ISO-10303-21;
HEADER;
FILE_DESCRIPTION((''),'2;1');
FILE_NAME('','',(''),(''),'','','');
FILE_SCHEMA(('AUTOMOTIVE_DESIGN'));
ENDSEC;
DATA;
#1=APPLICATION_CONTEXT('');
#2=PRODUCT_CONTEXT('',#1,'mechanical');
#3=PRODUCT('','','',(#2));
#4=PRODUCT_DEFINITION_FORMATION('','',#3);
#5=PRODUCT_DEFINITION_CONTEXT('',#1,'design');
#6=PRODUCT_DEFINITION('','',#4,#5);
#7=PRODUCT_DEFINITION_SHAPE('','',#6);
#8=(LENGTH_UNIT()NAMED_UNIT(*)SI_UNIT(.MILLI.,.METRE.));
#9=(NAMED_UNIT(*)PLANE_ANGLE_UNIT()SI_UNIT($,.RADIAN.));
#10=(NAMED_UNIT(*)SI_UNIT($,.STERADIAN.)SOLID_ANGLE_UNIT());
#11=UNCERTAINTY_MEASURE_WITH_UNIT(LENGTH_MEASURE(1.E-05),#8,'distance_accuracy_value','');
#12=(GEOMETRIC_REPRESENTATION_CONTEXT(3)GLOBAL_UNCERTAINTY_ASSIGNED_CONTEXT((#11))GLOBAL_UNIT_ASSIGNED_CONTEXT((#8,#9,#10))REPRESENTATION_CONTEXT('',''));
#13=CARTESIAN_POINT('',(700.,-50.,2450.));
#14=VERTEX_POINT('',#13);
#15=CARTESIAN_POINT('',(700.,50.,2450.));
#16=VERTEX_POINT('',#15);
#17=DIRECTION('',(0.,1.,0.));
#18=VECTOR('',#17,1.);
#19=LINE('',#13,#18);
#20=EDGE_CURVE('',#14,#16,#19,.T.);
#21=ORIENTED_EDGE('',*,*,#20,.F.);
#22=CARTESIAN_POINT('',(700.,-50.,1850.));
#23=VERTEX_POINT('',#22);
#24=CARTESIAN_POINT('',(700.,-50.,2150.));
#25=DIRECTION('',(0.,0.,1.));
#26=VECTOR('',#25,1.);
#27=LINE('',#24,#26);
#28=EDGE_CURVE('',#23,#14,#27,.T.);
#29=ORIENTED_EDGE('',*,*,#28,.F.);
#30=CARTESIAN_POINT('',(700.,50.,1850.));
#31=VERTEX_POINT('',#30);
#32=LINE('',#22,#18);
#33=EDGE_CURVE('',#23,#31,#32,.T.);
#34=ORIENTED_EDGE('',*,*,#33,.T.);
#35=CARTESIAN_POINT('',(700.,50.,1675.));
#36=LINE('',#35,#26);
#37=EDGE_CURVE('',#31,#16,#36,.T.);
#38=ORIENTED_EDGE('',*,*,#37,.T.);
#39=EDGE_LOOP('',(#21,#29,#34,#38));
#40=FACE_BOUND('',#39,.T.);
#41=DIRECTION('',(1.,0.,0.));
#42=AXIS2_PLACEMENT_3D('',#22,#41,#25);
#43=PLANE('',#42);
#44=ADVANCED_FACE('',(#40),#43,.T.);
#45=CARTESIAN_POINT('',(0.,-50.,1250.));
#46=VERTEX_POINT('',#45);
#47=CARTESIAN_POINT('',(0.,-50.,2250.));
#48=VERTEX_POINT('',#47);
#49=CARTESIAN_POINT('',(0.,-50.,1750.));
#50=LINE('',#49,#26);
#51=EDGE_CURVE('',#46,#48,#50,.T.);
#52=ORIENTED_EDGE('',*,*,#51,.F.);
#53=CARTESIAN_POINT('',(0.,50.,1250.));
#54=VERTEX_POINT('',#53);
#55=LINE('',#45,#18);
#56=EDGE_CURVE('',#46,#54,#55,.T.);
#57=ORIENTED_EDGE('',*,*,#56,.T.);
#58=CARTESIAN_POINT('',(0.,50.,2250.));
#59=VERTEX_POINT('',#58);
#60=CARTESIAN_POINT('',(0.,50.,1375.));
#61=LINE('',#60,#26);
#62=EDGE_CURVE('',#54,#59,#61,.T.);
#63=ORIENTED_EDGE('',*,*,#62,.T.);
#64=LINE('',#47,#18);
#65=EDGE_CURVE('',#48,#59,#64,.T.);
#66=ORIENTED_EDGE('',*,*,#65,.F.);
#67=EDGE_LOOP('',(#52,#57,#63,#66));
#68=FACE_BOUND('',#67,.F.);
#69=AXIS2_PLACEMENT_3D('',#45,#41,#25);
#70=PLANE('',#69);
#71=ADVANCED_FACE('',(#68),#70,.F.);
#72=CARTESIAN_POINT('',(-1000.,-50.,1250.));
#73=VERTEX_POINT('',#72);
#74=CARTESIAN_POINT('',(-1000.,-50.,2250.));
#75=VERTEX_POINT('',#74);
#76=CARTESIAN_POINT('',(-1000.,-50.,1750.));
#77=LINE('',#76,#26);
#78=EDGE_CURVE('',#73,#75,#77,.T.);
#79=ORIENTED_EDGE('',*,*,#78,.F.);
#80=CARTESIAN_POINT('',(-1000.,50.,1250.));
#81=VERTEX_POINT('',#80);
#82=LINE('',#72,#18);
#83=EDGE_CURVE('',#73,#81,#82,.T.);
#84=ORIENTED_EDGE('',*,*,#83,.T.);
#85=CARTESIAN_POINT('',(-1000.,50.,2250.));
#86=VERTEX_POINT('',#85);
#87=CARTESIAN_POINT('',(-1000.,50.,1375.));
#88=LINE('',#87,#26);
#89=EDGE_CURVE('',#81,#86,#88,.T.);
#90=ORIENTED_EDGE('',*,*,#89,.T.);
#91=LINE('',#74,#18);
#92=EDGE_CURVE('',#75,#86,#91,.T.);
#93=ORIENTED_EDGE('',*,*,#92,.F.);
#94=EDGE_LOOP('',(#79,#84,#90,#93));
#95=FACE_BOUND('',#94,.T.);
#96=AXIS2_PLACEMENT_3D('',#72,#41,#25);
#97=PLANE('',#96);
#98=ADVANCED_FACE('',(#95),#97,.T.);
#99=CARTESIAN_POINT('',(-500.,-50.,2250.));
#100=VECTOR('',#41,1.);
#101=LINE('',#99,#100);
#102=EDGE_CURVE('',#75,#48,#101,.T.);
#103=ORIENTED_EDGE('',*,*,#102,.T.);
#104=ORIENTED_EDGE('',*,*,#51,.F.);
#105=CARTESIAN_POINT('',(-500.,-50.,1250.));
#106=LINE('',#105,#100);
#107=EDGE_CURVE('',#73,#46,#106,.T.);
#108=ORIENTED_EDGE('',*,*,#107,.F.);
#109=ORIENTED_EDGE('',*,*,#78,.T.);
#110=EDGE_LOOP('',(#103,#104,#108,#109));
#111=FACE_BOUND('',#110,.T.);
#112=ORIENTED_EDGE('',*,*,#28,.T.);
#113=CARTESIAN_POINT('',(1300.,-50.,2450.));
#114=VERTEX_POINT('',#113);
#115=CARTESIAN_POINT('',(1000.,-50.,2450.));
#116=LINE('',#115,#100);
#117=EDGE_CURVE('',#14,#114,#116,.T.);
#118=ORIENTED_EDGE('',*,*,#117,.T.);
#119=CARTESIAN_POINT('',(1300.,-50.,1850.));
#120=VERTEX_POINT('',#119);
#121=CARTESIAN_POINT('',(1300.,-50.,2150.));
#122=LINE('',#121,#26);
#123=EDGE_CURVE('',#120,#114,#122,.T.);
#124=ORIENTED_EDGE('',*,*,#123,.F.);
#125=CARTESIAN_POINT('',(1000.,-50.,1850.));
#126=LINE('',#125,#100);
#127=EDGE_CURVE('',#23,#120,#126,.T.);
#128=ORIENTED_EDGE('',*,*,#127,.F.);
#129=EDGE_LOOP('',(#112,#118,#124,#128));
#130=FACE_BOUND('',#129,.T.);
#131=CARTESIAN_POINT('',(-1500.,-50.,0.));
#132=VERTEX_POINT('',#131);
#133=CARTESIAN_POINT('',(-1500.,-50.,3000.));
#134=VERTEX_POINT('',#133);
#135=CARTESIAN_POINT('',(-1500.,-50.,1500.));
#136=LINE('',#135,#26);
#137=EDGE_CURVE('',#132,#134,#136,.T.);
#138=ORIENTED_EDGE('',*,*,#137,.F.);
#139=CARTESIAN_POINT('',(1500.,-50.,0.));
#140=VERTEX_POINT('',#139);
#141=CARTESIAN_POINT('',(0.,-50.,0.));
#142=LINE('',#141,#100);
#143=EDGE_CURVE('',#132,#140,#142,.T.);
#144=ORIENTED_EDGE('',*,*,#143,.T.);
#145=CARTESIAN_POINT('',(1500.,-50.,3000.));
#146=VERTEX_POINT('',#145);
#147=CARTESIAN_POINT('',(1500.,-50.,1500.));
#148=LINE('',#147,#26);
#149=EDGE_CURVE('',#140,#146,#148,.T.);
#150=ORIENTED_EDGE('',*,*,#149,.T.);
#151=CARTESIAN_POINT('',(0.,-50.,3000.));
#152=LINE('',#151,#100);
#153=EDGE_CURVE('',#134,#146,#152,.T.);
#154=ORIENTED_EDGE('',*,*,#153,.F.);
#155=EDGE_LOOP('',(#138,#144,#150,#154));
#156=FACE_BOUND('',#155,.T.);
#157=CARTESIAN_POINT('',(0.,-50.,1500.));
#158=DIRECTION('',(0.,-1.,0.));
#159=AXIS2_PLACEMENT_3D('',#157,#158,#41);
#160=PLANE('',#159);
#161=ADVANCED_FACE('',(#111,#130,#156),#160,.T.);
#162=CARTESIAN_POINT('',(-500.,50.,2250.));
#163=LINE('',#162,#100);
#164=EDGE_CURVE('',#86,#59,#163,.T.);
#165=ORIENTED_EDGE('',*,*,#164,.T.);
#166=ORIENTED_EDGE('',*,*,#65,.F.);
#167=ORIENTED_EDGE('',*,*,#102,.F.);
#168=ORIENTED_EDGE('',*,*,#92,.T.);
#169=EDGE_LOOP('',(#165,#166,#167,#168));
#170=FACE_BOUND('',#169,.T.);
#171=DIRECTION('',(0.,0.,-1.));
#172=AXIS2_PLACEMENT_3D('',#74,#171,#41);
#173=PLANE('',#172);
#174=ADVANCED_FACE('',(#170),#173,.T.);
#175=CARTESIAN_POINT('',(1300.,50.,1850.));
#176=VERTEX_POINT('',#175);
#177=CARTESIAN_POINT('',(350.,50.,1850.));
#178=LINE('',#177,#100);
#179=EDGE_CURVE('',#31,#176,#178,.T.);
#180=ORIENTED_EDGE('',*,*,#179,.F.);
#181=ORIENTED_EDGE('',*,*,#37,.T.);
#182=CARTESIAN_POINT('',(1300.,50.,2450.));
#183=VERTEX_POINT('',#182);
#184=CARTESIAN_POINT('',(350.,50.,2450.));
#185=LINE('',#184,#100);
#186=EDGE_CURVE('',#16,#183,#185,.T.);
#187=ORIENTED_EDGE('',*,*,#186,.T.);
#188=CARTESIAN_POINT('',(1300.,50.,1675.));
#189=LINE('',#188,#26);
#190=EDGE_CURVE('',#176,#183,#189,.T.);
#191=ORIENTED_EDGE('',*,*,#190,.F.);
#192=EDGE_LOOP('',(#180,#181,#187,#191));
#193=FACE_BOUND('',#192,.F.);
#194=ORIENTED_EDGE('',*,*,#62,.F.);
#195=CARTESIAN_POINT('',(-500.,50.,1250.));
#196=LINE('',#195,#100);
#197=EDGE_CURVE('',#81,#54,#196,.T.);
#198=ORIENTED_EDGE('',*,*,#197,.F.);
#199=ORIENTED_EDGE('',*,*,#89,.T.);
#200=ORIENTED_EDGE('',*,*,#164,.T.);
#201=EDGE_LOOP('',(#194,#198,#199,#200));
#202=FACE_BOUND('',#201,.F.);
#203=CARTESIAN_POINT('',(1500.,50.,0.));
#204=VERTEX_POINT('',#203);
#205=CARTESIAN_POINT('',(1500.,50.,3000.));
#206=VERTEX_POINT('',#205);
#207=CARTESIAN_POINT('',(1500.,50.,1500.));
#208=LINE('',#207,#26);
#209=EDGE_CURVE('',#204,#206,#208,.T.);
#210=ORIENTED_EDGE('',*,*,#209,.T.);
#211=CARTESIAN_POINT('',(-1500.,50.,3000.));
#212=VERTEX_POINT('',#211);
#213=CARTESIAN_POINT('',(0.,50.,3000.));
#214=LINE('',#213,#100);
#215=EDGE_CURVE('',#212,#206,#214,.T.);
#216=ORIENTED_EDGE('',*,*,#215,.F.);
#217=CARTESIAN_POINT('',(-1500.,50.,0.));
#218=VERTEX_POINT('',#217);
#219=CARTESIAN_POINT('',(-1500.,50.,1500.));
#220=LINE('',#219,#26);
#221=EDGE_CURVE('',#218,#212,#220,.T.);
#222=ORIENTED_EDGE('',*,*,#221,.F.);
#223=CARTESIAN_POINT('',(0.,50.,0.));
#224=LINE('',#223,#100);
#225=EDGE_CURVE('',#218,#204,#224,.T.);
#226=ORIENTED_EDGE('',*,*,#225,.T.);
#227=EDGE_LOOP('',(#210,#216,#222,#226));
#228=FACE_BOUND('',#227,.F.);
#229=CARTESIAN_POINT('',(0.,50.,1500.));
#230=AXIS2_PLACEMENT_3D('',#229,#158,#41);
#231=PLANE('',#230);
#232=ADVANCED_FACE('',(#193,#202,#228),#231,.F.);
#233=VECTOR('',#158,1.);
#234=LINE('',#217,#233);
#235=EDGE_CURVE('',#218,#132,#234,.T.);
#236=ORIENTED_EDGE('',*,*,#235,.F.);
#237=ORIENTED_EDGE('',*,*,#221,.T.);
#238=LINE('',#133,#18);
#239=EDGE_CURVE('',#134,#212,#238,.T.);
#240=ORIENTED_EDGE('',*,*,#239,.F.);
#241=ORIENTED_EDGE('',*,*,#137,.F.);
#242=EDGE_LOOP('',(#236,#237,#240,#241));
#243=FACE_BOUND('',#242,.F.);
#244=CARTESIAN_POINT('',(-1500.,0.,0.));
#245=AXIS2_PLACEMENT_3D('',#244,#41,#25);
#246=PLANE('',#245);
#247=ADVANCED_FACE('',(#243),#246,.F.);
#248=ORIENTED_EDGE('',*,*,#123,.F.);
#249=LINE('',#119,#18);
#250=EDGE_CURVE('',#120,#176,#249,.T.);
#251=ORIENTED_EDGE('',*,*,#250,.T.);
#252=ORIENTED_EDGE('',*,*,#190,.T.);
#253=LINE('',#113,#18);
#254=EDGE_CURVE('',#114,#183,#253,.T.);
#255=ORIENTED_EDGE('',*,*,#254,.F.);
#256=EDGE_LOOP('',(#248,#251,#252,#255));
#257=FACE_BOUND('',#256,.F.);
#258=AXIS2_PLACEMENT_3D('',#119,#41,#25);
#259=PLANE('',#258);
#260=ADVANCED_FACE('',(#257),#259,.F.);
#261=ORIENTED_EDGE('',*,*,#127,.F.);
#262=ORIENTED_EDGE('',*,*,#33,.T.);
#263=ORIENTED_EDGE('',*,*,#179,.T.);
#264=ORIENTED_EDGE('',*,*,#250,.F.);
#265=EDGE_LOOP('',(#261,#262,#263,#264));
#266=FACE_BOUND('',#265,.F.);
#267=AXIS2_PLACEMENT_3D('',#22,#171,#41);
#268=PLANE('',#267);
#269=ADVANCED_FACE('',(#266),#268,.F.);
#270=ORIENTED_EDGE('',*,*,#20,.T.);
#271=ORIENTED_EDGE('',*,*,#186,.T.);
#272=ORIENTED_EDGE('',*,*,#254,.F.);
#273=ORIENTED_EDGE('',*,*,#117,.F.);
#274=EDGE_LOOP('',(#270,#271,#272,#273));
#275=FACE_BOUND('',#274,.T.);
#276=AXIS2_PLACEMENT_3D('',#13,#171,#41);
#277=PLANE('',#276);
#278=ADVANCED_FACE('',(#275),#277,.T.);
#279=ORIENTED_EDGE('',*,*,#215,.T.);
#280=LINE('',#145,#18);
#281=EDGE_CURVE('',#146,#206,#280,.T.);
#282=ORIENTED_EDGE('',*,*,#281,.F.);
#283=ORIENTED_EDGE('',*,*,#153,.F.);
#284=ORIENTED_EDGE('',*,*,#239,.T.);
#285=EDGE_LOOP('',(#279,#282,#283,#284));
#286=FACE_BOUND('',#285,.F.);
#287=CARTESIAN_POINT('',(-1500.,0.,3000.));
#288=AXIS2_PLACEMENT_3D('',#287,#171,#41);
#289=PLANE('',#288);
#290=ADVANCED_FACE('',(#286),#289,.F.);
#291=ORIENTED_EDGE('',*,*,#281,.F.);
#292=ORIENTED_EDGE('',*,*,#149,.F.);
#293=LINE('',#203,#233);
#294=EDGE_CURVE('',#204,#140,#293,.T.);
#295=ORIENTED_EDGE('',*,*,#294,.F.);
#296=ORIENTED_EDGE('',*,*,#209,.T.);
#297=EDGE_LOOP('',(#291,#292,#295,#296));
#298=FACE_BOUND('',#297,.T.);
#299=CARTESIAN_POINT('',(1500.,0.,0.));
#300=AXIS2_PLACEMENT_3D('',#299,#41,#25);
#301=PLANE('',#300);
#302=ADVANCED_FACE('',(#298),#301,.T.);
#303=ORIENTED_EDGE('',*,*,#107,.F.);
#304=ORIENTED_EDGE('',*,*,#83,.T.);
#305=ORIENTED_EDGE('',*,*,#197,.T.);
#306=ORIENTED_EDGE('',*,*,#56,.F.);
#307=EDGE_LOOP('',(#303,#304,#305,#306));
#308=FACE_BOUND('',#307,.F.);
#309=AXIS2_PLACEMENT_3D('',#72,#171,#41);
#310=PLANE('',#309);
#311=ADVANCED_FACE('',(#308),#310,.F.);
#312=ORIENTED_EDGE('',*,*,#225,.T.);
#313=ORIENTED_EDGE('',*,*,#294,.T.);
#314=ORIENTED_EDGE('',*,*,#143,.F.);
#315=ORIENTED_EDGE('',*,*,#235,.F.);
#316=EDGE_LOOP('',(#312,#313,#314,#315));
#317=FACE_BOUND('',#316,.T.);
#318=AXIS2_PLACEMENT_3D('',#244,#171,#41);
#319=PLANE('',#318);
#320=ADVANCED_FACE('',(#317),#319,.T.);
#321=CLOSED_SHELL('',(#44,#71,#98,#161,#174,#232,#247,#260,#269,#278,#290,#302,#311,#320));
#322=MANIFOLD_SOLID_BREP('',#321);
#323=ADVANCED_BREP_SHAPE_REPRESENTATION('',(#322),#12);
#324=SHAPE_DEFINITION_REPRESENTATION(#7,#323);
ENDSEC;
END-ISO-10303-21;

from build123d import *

# Parameters (mm, degrees)
F0_W     = 3000
F0_H     = 3000
F1_DEPTH = 50
F2_W     = 1000
F2_H     = 1000
F2_W_2   = 600
F2_H_2   = 600
F3_DEPTH = 100.001


with BuildPart() as f1:
    # F0 (on Front) → F1 (new body, symmetric)
    with BuildSketch(Plane.XZ):
        with Locations((0, 1500)):
            Rectangle(F0_W, F0_H)
    extrude(amount=F1_DEPTH, both=True)

    # F2 (on face) → F3 (cut, through all)
    with BuildSketch(Plane.XZ.offset(50)):
        with Locations((-500, 1750)):
            Rectangle(F2_W, F2_H)
        with Locations((1000, 2150)):
            Rectangle(F2_W_2, F2_H_2)
    extrude(amount=-F3_DEPTH, mode=Mode.SUBTRACT)


solid = f1.part
